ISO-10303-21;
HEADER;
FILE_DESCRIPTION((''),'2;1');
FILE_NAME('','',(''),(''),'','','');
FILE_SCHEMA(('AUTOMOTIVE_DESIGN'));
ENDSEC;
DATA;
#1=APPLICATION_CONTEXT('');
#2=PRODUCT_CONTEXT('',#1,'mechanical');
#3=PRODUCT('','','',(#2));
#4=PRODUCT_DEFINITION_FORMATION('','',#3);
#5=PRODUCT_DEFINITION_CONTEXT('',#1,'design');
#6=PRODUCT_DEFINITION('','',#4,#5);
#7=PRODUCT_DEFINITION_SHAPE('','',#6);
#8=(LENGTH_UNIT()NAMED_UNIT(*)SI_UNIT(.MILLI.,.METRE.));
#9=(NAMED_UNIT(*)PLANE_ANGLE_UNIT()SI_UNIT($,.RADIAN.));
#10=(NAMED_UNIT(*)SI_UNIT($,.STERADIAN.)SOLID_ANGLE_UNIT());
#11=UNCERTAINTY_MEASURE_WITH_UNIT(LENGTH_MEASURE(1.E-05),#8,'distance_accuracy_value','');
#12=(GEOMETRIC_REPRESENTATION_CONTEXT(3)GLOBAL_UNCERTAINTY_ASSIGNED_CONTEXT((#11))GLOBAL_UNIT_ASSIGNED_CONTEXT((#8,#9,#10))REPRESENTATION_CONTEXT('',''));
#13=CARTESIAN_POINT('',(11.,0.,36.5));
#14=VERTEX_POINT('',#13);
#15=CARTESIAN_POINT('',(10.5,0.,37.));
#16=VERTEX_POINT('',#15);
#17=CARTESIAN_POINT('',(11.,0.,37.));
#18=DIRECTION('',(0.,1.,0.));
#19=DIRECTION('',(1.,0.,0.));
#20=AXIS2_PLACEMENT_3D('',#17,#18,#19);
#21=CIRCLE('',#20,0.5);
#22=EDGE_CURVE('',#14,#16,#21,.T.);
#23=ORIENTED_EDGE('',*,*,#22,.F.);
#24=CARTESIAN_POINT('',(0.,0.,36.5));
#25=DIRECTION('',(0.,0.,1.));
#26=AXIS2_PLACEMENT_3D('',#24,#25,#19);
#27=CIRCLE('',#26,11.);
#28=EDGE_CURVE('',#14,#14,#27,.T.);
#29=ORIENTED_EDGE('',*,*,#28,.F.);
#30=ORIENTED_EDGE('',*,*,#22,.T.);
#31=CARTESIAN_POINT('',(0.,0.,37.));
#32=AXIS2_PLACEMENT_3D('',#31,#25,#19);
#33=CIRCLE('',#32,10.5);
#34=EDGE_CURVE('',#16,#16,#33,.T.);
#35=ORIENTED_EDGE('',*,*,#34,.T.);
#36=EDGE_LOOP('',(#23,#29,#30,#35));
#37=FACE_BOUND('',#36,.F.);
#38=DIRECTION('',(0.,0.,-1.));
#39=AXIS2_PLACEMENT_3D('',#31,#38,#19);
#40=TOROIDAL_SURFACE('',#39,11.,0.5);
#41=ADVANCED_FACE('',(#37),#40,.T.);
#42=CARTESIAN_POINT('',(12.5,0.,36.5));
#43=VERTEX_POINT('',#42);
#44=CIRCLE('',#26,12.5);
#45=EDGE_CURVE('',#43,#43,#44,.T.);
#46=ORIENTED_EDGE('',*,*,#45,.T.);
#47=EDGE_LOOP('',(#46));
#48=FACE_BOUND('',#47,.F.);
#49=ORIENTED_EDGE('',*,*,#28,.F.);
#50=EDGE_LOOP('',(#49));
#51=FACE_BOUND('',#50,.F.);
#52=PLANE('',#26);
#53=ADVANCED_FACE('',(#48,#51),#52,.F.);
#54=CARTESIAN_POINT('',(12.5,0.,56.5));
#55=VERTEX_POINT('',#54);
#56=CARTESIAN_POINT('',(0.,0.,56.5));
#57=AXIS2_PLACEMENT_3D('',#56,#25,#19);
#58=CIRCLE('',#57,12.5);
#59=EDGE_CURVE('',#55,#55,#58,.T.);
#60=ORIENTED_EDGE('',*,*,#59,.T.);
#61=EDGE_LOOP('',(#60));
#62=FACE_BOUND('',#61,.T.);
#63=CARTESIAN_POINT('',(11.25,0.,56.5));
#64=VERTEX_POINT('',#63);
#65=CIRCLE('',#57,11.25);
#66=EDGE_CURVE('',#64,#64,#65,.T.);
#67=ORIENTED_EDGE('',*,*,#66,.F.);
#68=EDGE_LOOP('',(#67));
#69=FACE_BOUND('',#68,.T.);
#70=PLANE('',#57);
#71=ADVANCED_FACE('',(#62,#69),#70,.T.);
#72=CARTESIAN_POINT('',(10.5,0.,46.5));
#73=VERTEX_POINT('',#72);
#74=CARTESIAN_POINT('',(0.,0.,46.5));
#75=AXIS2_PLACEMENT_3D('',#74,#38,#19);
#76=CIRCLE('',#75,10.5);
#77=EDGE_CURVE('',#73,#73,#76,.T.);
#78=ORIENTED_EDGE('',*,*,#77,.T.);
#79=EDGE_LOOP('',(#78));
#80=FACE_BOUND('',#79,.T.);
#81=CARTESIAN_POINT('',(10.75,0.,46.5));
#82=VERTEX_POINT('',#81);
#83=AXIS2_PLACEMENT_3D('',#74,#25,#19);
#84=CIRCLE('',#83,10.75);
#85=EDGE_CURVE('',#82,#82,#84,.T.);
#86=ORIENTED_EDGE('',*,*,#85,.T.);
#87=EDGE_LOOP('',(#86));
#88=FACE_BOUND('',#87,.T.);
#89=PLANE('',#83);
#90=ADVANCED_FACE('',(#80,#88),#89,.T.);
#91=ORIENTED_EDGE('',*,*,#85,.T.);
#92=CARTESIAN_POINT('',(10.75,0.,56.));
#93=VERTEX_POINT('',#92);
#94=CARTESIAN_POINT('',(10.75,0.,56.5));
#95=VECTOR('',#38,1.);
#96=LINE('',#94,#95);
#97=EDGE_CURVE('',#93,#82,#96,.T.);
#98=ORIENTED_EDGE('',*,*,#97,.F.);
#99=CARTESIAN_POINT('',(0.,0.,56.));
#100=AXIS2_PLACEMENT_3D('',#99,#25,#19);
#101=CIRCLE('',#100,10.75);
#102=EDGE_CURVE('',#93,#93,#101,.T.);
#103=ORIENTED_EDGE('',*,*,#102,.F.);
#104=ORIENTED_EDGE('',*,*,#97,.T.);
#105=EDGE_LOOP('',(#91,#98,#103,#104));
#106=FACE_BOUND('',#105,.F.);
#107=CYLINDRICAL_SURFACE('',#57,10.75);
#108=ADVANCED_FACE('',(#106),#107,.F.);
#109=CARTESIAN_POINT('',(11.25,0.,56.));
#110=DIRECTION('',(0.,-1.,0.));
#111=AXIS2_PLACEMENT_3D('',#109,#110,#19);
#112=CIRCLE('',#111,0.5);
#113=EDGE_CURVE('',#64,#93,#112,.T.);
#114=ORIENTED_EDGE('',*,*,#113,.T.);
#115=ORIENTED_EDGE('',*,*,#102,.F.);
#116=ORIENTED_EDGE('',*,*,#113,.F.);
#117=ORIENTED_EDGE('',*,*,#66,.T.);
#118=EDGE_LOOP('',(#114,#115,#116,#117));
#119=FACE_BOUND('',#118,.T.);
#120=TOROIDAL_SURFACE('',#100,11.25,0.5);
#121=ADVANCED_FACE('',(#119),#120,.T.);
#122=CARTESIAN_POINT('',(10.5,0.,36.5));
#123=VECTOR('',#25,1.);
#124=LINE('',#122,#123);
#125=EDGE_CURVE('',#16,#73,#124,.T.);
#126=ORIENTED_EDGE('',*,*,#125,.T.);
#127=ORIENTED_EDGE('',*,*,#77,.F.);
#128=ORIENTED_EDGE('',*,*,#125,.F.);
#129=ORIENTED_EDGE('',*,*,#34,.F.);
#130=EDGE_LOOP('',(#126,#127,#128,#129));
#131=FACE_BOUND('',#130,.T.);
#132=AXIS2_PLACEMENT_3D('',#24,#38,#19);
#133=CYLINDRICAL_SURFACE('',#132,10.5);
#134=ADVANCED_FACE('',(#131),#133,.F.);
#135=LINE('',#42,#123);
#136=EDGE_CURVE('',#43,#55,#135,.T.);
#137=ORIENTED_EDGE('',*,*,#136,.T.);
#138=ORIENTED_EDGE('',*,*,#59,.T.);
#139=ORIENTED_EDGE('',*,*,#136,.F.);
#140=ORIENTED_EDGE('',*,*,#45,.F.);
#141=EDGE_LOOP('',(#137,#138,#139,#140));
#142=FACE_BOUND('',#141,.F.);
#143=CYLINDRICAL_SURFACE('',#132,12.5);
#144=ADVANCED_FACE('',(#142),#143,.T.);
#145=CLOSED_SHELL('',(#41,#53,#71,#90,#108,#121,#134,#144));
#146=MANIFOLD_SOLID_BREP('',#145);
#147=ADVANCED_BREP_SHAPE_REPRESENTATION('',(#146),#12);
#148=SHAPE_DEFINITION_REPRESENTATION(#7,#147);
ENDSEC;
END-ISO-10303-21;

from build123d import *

# Parameters (mm, degrees)
F1_R     = 12.5
F1_R_2   = 10.5
F2_DEPTH = 20
F3_R     = 10.75
F4_DEPTH = 10
F5_R     = 0.5


with BuildPart() as f2:
    # F1 (on offset) → F2 (new body)
    with BuildSketch(Plane.XY.offset(36.5)):
        Circle(F1_R)
        Circle(F1_R_2, mode=Mode.SUBTRACT)
    extrude(amount=F2_DEPTH)

    # F3 (on face) → F4 (cut)
    with BuildSketch(Plane.XY.offset(56.5)):
        Circle(F3_R)
    extrude(amount=-F4_DEPTH, mode=Mode.SUBTRACT)

    # F5
    f5_edges = [f2.edges().sort_by_distance(p)[0] for p in [
        (-10.75, 0, 56.5),
        (-10.5, 0, 36.5),
    ]]
    fillet(f5_edges, radius=F5_R)


solid = f2.part
